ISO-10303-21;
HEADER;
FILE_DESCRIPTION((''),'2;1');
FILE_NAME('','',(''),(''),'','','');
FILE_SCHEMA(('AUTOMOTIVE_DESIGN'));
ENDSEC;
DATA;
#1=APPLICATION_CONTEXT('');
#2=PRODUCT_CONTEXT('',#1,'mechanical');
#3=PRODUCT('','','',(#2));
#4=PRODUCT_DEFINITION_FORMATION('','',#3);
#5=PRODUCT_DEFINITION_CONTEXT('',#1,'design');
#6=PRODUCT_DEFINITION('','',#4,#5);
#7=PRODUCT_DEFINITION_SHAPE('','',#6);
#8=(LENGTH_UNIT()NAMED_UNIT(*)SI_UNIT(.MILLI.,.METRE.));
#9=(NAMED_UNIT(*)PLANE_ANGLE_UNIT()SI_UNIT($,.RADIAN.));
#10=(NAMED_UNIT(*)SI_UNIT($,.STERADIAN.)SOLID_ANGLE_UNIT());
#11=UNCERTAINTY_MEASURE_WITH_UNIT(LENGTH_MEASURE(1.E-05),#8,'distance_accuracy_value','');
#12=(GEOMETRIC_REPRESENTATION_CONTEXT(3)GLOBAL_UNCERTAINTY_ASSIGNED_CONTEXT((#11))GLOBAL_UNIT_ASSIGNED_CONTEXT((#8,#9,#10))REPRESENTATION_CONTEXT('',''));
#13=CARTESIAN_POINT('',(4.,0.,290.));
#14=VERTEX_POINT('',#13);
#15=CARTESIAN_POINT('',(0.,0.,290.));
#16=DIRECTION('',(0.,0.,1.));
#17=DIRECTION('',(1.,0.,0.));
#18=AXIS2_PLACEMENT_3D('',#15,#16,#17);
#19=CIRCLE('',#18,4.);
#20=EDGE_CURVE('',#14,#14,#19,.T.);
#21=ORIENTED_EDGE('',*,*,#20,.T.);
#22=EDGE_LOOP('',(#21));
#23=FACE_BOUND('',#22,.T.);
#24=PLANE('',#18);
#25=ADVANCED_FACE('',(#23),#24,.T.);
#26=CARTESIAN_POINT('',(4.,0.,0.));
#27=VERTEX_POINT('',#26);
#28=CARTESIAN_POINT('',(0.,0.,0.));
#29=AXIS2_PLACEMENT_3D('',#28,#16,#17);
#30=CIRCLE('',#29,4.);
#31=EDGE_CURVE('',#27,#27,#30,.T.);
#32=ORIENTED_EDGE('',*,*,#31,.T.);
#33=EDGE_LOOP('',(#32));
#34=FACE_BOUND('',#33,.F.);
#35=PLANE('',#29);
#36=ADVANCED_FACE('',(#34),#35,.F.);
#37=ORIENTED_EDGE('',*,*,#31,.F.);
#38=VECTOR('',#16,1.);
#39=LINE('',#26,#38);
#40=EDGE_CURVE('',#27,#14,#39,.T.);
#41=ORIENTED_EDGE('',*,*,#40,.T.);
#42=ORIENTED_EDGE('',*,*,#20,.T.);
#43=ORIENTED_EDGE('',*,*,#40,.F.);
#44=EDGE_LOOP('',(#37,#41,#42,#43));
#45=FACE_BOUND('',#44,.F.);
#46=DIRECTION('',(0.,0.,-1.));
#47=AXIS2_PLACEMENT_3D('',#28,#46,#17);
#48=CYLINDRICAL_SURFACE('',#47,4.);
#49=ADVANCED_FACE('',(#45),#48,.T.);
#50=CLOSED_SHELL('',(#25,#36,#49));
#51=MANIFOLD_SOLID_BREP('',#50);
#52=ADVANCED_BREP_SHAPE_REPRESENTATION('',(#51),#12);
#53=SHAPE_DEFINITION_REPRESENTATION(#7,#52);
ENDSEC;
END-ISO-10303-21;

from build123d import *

# Parameters (mm, degrees)
SKETCH1_R           = 4
BOSS_EXTRUDE1_DEPTH = 290


with BuildPart() as part:
    # Sketch1 → Boss-Extrude1 (new body)
    with BuildSketch(Plane.XY):
        Circle(SKETCH1_R)
    extrude(amount=BOSS_EXTRUDE1_DEPTH)


solid = part.part
